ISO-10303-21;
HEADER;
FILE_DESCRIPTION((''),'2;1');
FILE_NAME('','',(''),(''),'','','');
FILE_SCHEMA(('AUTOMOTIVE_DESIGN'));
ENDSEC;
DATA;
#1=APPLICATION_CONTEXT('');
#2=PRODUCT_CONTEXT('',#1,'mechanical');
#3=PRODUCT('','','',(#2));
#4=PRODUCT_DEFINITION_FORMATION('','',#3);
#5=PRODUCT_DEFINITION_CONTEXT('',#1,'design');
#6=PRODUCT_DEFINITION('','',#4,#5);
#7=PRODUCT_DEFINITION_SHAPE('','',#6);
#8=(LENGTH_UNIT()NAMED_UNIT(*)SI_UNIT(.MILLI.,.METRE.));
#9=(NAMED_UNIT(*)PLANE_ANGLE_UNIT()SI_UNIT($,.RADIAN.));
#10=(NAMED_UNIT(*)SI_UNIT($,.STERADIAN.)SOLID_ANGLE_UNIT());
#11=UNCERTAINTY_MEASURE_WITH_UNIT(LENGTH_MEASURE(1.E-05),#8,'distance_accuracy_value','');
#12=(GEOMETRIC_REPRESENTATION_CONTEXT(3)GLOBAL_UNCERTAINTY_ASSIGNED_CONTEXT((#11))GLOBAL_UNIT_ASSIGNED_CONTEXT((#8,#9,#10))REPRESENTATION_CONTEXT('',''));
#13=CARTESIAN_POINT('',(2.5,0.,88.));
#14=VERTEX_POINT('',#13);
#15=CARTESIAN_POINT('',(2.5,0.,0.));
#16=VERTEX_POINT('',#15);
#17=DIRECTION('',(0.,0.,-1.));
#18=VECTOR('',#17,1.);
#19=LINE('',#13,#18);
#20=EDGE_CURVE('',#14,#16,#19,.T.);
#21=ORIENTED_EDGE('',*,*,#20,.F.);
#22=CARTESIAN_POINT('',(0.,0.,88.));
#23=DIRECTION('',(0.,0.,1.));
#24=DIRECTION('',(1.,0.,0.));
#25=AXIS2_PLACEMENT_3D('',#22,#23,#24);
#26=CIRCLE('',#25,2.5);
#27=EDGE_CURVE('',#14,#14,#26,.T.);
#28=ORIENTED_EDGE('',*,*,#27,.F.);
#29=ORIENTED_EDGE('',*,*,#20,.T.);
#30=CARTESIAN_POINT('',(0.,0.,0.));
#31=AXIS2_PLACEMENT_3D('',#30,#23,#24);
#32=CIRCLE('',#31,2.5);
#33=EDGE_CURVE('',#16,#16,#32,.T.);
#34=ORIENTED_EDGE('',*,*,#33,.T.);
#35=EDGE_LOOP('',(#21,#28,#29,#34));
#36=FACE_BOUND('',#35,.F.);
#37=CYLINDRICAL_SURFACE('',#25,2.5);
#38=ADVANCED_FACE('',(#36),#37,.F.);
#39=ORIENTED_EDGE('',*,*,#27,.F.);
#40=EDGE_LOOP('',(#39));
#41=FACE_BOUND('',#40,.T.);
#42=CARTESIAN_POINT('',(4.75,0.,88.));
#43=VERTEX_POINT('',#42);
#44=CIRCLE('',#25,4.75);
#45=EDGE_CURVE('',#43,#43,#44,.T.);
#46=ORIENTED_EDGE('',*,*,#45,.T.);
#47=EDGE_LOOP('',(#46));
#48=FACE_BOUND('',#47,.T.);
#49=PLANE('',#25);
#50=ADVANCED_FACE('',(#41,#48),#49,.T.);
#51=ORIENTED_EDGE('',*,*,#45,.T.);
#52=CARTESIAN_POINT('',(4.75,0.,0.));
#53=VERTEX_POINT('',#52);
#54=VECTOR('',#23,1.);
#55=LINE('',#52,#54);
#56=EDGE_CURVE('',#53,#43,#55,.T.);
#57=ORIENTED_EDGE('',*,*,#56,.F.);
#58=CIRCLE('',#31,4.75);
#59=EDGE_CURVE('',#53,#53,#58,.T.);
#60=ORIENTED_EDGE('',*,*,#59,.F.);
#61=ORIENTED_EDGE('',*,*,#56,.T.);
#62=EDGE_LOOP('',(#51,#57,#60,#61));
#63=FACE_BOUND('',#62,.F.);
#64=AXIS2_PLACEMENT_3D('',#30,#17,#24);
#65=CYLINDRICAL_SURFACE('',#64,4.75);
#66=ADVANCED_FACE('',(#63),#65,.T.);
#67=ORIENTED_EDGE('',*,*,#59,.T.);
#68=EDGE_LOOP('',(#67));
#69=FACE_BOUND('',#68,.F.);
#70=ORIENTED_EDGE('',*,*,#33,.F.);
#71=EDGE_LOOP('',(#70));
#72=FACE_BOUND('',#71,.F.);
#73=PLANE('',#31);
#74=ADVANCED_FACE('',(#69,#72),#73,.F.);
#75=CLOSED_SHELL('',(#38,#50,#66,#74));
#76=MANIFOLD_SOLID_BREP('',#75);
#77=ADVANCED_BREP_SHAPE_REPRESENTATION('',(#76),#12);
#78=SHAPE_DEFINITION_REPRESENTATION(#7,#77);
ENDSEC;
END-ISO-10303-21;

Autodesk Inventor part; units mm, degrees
ref_plane "YZ Plane" through (0, 0, 0) normal (1, 0, 0) x (0, 1, 0)
ref_plane "XZ Plane" through (0, 0, 0) normal (0, 1, 0) x (-1, 0, 0)
ref_plane "XY Plane" through (0, 0, 0) normal (0, 0, 1) x (1, 0, 0)
sketch "Sketch1" plane through (0, 0, 0) normal (0, 0, 1) x (1, 0, 0)
  circle A0 centre (0, 0) radius 4.75
  dimension "d0" = 9.5
extrude "Extrusion1" add sketch "Sketch1" along normal blind 88
sketch "Sketch2" plane through (0, 0, 88) normal (0, 0, 1) x (1, 0, 0)
  circle A0 centre (0, 0) radius 2.5
  dimension "d3" = 5
extrude "Extrusion2" cut sketch "Sketch2" against normal through all
properties part number "12 x 100mm Shaft" material "ABS Plastic"
